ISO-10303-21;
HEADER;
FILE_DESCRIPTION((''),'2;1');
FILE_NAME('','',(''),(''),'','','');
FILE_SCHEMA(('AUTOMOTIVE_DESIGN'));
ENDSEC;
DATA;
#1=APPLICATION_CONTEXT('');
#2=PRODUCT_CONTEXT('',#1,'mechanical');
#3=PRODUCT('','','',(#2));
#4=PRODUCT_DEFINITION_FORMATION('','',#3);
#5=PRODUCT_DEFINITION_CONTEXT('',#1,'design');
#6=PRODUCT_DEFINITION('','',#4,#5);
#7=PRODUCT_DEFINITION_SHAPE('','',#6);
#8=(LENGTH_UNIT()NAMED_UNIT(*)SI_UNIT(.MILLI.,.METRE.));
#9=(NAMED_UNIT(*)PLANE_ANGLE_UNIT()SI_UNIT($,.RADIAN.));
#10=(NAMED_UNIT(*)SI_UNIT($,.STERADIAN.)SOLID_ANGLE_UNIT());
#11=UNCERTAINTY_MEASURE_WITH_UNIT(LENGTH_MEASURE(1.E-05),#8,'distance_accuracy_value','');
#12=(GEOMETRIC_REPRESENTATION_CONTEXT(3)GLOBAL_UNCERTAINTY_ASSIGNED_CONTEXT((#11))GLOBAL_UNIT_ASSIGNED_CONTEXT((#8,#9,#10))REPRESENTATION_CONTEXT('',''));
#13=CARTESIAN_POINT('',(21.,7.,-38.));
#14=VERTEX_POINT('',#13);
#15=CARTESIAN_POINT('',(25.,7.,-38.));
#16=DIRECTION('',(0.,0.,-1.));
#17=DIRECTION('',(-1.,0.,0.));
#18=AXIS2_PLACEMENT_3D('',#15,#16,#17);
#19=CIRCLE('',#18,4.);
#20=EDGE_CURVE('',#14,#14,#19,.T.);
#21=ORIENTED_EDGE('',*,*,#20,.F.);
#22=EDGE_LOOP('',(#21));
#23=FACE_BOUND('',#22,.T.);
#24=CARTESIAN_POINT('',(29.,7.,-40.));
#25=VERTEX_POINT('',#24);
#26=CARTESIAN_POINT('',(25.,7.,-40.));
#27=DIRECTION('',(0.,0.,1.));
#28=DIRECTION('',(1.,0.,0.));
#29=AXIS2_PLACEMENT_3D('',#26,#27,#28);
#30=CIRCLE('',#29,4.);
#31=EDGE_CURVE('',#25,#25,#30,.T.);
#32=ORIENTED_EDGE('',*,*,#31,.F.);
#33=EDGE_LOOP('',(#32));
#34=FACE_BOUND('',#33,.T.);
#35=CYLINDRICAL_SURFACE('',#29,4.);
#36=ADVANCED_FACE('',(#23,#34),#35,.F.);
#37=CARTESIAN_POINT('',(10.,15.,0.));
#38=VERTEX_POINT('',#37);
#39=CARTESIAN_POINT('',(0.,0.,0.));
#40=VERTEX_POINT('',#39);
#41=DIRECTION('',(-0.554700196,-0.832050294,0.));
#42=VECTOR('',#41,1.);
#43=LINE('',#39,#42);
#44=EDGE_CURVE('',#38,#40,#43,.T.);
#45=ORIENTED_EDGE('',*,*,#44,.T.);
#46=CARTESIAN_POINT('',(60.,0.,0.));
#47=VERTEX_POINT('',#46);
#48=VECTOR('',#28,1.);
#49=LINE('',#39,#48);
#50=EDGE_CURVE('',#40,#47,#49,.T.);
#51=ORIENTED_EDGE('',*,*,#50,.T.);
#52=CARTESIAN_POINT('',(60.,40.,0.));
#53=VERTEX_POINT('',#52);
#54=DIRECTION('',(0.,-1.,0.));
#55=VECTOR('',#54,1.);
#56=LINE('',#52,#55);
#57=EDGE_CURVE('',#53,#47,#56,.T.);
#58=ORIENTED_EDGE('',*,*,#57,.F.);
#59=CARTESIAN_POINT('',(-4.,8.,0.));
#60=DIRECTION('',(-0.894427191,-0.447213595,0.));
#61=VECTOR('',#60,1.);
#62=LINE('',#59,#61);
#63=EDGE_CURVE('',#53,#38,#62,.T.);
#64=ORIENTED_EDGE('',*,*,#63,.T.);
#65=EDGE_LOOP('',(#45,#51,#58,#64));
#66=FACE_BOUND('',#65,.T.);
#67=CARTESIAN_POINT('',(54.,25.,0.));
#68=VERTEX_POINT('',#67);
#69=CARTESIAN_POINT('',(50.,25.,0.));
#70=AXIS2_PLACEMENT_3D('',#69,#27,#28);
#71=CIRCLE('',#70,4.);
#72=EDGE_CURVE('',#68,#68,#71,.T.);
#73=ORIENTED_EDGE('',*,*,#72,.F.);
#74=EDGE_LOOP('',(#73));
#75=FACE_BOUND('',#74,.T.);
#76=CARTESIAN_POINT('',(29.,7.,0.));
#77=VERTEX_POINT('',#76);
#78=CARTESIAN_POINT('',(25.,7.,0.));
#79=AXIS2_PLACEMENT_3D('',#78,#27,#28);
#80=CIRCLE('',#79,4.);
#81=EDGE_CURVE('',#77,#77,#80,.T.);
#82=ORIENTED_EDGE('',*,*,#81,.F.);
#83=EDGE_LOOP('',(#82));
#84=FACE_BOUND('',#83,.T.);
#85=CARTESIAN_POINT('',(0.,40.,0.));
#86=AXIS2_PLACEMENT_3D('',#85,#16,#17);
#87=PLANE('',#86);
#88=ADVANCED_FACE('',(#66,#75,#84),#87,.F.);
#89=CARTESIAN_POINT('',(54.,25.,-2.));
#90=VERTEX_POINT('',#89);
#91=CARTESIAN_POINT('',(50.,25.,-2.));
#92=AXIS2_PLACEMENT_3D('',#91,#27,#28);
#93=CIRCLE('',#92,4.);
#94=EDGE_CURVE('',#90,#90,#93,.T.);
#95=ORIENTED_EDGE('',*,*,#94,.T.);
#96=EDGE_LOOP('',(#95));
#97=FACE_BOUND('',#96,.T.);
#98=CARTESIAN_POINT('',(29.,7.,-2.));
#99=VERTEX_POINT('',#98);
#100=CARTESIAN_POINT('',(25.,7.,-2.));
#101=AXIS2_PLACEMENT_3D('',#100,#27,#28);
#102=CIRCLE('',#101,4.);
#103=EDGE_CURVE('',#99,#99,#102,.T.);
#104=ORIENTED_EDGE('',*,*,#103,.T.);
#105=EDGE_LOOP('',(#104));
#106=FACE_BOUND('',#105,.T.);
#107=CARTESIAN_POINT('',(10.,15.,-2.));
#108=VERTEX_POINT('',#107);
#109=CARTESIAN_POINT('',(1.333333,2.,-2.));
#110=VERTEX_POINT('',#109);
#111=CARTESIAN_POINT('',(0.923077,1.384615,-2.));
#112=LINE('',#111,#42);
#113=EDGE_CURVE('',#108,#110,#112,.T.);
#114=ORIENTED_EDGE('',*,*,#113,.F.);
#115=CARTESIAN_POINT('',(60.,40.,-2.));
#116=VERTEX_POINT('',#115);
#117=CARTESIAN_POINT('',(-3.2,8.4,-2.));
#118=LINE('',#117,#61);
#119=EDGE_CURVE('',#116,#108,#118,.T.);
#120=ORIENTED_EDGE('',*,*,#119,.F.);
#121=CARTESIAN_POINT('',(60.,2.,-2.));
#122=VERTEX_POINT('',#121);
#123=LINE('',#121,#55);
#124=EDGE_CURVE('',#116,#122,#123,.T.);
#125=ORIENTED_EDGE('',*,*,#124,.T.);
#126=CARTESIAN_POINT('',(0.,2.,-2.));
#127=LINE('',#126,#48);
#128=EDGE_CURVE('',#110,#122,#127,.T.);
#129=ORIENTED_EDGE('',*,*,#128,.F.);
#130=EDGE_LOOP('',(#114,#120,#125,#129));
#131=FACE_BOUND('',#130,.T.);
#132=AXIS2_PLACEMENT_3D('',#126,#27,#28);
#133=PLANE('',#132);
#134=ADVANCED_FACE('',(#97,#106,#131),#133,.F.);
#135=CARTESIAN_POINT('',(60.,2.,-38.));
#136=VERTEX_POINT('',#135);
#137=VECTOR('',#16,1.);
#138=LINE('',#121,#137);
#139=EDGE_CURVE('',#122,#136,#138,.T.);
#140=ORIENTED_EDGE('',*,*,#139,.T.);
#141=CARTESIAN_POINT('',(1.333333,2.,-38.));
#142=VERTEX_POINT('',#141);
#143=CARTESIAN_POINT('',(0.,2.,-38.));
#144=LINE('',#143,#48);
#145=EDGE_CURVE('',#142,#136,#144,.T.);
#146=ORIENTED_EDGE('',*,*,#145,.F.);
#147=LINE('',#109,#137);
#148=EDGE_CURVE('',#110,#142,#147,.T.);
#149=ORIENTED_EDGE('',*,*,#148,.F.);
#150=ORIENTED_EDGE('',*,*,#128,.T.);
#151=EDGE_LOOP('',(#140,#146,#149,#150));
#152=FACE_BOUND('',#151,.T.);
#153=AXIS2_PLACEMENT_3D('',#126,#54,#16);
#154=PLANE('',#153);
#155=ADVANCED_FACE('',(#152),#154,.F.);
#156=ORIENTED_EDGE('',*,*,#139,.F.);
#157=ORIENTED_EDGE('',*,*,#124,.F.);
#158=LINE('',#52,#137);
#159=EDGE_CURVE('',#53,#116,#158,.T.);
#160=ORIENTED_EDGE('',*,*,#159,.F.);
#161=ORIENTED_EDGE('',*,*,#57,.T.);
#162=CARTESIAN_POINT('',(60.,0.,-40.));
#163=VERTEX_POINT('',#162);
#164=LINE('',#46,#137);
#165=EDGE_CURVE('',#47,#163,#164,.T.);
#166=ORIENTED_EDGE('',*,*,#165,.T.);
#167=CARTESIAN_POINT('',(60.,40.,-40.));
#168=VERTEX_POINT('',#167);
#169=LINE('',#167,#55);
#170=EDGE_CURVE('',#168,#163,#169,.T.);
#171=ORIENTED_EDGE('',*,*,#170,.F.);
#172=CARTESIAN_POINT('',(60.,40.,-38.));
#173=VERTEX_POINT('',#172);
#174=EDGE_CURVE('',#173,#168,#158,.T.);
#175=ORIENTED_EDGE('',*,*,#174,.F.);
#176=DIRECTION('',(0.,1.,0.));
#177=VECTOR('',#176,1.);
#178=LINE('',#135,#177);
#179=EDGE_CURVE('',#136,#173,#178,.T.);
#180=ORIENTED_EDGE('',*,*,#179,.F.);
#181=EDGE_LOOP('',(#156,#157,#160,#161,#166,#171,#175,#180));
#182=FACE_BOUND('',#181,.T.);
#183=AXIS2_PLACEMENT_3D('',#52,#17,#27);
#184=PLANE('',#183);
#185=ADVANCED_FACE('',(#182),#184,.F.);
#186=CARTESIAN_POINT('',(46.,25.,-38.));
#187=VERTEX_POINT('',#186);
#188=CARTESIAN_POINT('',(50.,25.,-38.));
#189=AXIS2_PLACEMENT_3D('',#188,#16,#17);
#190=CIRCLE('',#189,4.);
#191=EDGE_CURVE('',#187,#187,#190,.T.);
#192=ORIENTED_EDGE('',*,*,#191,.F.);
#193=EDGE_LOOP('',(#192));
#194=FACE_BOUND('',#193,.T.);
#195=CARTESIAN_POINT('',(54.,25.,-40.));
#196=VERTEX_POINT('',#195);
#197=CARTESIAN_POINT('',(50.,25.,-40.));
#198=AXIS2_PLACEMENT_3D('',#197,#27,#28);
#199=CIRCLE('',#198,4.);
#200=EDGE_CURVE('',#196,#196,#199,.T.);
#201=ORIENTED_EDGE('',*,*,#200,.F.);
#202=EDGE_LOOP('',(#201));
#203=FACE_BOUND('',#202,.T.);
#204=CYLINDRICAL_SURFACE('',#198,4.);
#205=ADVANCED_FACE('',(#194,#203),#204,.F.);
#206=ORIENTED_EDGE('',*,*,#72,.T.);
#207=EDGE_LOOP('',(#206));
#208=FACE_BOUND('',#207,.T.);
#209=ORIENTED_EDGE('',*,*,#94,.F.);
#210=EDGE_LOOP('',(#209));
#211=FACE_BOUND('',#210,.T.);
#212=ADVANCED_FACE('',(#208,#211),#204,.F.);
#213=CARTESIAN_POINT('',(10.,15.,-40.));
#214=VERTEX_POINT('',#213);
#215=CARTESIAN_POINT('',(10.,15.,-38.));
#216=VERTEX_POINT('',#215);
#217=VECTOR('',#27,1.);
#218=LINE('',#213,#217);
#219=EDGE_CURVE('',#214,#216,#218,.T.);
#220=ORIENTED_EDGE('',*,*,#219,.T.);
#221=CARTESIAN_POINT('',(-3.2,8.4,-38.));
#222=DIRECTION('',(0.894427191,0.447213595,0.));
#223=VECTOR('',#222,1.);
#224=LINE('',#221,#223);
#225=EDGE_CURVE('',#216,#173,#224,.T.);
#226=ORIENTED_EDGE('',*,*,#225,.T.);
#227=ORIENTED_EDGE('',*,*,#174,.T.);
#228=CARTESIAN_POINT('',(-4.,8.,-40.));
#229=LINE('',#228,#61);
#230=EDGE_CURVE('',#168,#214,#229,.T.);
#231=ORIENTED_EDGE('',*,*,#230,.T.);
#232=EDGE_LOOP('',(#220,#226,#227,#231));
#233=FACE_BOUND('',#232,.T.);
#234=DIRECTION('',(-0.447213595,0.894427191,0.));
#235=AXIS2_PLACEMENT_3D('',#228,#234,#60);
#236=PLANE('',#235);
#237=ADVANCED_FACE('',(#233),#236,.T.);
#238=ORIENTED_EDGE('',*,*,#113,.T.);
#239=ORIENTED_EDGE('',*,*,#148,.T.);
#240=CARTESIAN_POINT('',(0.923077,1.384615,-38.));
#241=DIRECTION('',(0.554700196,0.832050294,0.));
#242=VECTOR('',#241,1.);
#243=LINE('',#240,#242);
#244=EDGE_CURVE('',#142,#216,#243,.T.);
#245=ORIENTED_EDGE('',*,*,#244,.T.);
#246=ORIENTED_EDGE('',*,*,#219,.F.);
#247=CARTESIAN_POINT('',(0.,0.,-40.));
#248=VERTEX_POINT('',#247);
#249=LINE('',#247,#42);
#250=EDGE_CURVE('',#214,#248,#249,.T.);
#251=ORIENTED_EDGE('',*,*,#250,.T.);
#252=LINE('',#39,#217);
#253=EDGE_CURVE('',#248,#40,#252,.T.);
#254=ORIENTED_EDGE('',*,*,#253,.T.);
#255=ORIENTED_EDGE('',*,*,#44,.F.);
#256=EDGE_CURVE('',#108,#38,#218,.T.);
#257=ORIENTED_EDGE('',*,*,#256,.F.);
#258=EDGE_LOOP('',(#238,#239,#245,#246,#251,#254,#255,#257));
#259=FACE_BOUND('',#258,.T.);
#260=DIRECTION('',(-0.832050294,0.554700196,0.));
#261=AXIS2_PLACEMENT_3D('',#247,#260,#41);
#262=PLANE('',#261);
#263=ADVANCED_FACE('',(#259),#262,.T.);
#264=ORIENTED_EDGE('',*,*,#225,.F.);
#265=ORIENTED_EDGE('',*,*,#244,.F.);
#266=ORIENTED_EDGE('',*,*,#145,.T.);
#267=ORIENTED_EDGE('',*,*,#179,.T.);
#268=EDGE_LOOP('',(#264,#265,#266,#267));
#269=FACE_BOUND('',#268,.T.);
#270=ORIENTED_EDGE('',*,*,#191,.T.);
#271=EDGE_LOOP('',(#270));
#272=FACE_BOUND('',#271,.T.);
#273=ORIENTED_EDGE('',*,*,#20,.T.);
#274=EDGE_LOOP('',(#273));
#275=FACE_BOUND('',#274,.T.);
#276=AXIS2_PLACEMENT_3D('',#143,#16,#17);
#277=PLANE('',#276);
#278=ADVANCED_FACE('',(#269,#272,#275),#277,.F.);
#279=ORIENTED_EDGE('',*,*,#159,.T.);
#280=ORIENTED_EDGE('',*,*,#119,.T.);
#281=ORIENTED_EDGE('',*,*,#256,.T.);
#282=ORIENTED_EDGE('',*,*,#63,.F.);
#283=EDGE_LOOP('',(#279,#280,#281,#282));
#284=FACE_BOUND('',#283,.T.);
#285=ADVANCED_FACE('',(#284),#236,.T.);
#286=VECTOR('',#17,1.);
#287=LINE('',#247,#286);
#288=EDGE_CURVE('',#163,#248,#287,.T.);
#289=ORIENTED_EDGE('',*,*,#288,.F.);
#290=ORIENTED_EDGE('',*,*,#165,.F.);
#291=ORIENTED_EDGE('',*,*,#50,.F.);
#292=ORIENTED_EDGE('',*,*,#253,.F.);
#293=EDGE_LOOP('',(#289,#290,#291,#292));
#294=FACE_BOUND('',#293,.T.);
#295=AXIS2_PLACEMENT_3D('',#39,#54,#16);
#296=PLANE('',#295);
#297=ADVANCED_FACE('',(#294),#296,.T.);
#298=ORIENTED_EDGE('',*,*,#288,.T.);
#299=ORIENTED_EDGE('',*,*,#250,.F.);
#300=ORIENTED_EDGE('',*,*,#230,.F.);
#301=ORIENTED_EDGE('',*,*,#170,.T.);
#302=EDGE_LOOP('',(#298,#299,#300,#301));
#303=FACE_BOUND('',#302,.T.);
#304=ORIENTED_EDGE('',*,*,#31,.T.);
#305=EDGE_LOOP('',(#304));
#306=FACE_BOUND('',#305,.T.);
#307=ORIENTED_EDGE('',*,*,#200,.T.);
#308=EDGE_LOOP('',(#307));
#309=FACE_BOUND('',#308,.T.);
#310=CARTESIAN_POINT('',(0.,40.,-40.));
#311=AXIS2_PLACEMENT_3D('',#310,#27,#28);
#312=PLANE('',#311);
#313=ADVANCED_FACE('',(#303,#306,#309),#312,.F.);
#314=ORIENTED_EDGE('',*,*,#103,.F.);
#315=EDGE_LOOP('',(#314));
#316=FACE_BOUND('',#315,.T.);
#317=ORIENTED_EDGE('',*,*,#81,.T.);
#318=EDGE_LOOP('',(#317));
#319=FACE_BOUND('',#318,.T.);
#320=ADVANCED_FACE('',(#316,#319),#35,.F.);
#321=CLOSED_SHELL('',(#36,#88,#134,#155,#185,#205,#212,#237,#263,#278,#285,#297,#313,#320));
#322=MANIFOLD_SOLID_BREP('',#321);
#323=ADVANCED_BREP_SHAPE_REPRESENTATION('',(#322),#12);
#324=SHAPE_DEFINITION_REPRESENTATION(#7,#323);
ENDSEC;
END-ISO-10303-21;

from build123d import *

# Parameters (mm, degrees)
SKETCH1_W           = 60
SKETCH1_H           = 40
BOSS_EXTRUDE1_DEPTH = 40
SKETCH5_W           = 36
SKETCH5_H           = 38
CUT_EXTRUDE3_DEPTH  = 83.462112512
SKETCH6_R           = 4
CUT_EXTRUDE4_DEPTH  = 83.462112512


with BuildPart() as part:
    # Sketch1 → Boss-Extrude1 (new body)
    with BuildSketch(Plane(origin=(0, 0, 0), x_dir=(1, 0, 0), z_dir=(0, 1, 0))):
        with Locations((30, 20)):
            Rectangle(SKETCH1_W, SKETCH1_H)
    extrude(amount=BOSS_EXTRUDE1_DEPTH)

    # Sketch5 → Cut-Extrude3 (cut, through all)
    with BuildSketch(Plane(origin=(60, 0, 0), x_dir=(0, 0, -1), z_dir=(1, 0, 0))):
        with Locations((20, 21)):
            Rectangle(SKETCH5_W, SKETCH5_H)
    extrude(amount=-CUT_EXTRUDE3_DEPTH, mode=Mode.SUBTRACT)

    # Sketch6 → Cut-Extrude4 (cut, through all)
    with BuildSketch(Plane.XY):
        Polygon((10, 15), (0, 0), (0, 40), (60, 40), align=None)
        with Locations((25, 7)):
            Circle(SKETCH6_R)
        with Locations((50, 25)):
            Circle(SKETCH6_R)
    extrude(amount=-CUT_EXTRUDE4_DEPTH, mode=Mode.SUBTRACT)


solid = part.part
